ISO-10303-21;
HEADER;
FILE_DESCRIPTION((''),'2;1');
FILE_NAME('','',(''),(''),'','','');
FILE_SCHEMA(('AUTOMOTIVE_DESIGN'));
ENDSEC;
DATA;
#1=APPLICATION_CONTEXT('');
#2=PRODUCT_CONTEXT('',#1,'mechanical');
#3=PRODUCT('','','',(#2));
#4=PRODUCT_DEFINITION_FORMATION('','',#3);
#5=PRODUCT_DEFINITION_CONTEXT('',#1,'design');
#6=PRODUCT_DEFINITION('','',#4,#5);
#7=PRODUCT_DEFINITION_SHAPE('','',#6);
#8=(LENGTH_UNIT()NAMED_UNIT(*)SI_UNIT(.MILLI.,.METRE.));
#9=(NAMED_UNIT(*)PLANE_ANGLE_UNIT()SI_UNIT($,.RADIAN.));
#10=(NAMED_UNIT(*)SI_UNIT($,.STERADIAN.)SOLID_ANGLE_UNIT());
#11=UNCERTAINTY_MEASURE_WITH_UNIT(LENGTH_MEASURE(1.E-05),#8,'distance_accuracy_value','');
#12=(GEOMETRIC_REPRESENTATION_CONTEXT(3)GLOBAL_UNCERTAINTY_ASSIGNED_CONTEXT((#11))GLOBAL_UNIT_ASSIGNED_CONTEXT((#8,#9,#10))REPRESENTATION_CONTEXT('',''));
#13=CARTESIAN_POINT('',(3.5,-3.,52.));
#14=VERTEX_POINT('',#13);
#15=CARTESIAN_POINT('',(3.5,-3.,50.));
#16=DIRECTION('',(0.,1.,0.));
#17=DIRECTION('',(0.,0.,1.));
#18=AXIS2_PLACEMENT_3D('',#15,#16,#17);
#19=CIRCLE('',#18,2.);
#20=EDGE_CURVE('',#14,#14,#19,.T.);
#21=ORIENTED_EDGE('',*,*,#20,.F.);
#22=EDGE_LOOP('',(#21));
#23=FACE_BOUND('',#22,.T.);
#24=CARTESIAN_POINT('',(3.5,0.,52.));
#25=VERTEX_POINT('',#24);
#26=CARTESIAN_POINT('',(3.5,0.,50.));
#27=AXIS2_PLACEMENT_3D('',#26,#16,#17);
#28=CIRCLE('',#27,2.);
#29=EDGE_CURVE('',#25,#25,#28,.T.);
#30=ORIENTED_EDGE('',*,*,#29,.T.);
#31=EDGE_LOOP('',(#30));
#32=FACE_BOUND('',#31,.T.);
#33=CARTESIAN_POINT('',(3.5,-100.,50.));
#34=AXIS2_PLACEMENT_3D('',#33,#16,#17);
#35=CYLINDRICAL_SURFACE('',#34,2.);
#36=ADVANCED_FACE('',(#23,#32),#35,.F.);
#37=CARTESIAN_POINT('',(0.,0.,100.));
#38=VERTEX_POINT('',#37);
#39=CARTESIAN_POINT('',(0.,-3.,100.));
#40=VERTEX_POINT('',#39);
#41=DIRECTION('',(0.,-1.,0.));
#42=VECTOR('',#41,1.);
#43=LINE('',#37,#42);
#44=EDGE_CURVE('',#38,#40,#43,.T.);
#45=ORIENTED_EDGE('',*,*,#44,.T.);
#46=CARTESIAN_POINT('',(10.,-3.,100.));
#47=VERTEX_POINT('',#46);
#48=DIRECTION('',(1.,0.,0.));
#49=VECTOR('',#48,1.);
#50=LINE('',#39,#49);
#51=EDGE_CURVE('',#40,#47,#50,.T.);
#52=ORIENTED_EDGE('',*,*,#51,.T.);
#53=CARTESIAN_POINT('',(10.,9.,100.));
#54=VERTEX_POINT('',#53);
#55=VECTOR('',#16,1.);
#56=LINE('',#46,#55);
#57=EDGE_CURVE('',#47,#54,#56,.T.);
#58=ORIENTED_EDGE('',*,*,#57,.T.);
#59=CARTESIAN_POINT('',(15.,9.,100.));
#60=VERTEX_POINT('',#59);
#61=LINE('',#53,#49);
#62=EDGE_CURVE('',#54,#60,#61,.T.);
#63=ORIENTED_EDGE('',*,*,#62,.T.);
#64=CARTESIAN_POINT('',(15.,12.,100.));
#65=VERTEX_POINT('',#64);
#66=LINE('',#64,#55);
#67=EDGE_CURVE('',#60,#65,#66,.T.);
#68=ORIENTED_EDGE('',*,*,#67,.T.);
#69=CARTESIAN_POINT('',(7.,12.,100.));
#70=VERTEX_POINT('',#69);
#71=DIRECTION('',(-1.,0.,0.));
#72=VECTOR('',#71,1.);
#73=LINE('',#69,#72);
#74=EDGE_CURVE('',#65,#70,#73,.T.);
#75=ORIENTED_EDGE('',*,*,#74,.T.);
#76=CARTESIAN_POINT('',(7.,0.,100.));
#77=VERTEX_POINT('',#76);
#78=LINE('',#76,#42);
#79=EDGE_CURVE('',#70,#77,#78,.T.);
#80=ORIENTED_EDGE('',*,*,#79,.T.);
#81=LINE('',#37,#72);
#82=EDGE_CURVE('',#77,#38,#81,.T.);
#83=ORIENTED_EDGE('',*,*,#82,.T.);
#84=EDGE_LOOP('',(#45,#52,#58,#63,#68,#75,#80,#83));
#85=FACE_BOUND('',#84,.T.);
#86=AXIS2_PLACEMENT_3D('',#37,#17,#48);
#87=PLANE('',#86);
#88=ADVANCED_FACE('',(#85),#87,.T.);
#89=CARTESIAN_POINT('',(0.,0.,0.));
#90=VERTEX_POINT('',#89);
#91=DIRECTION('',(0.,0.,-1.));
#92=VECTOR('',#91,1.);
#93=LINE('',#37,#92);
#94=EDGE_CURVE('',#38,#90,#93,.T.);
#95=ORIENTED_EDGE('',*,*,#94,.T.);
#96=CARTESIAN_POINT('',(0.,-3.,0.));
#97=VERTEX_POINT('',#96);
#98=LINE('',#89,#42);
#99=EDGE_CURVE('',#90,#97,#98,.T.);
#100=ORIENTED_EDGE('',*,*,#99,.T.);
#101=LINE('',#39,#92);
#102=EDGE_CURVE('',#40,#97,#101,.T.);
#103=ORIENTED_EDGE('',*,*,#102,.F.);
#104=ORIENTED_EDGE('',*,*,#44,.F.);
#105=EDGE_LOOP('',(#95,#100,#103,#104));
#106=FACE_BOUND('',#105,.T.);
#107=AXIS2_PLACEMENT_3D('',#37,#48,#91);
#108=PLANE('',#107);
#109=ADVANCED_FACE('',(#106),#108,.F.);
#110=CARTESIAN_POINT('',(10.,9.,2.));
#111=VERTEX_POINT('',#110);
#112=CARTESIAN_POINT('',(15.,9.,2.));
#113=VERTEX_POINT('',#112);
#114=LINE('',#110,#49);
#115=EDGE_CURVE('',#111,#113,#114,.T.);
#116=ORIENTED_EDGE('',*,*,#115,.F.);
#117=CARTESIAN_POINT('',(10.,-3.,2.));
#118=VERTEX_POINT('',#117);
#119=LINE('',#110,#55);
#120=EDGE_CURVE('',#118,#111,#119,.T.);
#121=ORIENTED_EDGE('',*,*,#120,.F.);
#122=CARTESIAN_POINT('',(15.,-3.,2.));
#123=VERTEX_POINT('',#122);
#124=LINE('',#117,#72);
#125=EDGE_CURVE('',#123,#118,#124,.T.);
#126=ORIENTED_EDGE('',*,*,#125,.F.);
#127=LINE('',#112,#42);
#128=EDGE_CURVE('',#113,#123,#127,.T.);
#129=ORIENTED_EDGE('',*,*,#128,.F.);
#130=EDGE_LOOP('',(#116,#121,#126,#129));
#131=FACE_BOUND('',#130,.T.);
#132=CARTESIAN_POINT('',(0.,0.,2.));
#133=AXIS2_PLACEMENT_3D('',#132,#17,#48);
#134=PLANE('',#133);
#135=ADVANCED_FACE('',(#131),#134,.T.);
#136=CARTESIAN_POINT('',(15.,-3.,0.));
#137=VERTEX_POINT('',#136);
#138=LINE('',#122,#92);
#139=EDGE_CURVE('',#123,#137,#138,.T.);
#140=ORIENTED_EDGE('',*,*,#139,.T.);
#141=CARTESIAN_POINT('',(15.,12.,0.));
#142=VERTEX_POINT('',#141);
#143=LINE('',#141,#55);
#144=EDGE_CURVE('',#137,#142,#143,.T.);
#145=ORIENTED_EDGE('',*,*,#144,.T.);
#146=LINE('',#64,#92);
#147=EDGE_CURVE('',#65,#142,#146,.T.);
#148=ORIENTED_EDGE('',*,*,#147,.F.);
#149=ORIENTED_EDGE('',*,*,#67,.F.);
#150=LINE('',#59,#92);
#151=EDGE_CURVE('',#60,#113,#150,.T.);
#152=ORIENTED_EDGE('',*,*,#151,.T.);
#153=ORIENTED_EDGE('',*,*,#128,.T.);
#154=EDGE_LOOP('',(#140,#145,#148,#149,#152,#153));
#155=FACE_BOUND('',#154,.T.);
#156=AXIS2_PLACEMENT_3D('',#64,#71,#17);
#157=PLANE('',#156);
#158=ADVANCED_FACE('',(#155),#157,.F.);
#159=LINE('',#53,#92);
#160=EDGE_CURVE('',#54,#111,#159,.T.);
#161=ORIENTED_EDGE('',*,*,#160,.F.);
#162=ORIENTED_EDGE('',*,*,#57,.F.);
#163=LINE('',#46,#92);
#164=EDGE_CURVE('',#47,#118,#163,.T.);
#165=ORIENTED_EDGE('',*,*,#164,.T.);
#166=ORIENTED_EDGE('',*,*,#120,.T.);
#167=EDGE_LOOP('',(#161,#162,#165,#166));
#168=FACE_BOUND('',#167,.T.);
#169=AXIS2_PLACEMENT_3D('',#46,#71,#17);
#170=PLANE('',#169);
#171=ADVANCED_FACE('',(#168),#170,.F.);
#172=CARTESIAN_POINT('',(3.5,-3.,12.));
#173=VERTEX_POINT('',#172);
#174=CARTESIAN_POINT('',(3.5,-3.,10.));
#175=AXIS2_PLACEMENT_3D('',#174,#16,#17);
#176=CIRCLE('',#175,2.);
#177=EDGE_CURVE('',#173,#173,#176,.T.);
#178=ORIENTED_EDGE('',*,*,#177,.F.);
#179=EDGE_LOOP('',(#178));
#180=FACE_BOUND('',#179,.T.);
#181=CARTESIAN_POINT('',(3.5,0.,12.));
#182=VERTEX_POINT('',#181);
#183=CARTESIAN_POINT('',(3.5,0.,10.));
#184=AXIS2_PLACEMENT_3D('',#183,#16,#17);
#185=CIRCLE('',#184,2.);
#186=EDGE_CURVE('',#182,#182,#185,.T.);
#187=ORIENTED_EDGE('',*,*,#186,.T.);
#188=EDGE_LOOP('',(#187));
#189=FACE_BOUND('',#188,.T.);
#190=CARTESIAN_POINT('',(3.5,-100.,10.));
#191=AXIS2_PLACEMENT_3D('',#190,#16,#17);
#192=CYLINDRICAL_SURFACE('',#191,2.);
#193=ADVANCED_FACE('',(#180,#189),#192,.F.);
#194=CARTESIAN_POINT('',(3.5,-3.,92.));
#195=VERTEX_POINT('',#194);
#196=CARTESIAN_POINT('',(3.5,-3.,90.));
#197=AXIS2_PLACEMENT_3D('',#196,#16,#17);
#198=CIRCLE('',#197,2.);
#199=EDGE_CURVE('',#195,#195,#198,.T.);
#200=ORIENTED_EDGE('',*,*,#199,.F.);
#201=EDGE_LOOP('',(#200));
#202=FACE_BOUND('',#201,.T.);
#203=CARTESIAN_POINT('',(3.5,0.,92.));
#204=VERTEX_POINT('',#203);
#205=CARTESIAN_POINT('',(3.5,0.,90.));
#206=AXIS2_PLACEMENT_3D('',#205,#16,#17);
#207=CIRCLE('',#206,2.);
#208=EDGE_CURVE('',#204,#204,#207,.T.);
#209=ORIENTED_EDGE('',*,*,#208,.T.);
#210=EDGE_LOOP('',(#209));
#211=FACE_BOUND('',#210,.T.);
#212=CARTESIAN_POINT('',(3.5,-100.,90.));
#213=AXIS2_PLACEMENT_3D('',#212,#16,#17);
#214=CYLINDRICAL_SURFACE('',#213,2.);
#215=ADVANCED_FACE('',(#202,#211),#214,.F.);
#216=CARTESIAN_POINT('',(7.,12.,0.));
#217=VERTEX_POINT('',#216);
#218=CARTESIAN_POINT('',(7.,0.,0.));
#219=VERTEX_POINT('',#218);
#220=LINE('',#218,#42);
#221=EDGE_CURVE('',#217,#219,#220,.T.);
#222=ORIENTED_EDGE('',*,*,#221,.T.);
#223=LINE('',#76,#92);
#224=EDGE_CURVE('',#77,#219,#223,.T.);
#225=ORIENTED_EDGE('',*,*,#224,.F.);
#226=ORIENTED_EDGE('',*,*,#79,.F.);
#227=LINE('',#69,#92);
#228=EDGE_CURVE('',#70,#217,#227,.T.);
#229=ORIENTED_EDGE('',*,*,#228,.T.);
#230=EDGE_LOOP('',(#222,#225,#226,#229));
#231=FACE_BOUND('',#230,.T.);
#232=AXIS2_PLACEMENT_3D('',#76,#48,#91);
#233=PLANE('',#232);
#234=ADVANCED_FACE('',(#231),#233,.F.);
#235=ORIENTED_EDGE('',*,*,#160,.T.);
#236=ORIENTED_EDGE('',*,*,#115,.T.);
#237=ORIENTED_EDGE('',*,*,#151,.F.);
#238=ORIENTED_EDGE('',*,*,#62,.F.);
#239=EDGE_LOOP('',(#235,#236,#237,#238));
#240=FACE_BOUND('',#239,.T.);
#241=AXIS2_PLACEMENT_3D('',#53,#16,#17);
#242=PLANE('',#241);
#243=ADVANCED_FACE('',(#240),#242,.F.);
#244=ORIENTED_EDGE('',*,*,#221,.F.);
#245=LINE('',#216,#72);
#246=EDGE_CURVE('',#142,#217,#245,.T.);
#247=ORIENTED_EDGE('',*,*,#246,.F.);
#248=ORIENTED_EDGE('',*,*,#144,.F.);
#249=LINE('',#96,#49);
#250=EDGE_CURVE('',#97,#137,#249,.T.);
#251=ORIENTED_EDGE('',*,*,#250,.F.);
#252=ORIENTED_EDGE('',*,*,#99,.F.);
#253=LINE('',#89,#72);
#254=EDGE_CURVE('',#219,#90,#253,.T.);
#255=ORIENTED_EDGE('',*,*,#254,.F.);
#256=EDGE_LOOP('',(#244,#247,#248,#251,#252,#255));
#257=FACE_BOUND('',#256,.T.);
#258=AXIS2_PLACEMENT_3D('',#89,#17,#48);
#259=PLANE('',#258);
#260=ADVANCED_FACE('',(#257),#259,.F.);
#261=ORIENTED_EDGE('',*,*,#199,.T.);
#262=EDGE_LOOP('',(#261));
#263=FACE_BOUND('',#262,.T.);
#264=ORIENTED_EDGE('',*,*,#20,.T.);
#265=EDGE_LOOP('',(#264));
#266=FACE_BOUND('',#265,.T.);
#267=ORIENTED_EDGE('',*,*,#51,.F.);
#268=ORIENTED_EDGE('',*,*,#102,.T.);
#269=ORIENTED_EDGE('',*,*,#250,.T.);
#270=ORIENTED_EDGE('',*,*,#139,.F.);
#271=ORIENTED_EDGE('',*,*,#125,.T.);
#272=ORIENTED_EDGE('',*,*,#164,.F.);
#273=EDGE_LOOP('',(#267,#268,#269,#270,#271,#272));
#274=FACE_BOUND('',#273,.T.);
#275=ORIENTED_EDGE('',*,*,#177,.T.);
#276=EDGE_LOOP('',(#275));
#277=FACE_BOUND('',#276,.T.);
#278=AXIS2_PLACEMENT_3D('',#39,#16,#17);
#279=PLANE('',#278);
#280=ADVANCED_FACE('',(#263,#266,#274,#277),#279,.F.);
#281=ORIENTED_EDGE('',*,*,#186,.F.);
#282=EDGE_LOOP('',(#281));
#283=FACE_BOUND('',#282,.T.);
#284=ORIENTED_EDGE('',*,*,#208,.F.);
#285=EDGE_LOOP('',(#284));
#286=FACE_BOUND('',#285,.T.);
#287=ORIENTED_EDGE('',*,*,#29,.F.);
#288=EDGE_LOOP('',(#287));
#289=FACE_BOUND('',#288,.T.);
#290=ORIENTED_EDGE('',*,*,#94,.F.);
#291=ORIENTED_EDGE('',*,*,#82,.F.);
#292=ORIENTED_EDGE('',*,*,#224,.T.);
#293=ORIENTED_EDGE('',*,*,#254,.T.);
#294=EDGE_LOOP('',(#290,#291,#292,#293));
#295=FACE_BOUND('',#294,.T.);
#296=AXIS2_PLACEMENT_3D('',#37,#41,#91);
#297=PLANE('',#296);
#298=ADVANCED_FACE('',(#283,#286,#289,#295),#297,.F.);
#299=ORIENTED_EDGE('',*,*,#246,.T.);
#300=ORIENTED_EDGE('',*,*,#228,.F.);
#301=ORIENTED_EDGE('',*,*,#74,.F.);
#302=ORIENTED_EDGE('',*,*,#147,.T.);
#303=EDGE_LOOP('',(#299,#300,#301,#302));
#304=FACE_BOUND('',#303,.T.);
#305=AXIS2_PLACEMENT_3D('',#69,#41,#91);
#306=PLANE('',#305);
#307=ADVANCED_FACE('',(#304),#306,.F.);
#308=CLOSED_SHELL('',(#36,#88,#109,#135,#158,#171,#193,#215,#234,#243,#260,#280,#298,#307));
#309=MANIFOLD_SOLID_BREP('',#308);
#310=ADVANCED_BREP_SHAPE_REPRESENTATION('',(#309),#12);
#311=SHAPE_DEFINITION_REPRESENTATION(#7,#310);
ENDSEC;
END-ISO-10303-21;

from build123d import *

# Parameters (mm, degrees)
BOSS_EXTRUDE1_DEPTH = 100
SKETCH2_R           = 2
CUT_EXTRUDE1_DEPTH  = 100
SKETCH3_W           = 5
SKETCH3_H           = 12
BOSS_EXTRUDE2_DEPTH = 2


with BuildPart() as part:
    # Sketch1 → Boss-Extrude1 (new body)
    with BuildSketch(Plane.XY):
        Polygon((0, 0), (7, 0), (7, 12), (15, 12), (15, 9), (10, 9), (10, -3), (0, -3), align=None)
    extrude(amount=BOSS_EXTRUDE1_DEPTH)

    # Sketch2 → Cut-Extrude1 (cut)
    with BuildSketch(Plane(origin=(0, 0, 0), x_dir=(1, 0, 0), z_dir=(0, 1, 0))):
        with Locations((3.5, -10)):
            Circle(SKETCH2_R)
        with Locations((3.5, -90)):
            Circle(SKETCH2_R)
        with Locations((3.5, -50)):
            Circle(SKETCH2_R)
    extrude(amount=-CUT_EXTRUDE1_DEPTH, mode=Mode.SUBTRACT)

    # Sketch3 → Boss-Extrude2 (add)
    with BuildSketch(Plane(origin=(0, 0, 0), x_dir=(-1, 0, 0), z_dir=(0, 0, -1))):
        with Locations((-12.5, 3)):
            Rectangle(SKETCH3_W, SKETCH3_H)
    extrude(amount=-BOSS_EXTRUDE2_DEPTH)


solid = part.part
